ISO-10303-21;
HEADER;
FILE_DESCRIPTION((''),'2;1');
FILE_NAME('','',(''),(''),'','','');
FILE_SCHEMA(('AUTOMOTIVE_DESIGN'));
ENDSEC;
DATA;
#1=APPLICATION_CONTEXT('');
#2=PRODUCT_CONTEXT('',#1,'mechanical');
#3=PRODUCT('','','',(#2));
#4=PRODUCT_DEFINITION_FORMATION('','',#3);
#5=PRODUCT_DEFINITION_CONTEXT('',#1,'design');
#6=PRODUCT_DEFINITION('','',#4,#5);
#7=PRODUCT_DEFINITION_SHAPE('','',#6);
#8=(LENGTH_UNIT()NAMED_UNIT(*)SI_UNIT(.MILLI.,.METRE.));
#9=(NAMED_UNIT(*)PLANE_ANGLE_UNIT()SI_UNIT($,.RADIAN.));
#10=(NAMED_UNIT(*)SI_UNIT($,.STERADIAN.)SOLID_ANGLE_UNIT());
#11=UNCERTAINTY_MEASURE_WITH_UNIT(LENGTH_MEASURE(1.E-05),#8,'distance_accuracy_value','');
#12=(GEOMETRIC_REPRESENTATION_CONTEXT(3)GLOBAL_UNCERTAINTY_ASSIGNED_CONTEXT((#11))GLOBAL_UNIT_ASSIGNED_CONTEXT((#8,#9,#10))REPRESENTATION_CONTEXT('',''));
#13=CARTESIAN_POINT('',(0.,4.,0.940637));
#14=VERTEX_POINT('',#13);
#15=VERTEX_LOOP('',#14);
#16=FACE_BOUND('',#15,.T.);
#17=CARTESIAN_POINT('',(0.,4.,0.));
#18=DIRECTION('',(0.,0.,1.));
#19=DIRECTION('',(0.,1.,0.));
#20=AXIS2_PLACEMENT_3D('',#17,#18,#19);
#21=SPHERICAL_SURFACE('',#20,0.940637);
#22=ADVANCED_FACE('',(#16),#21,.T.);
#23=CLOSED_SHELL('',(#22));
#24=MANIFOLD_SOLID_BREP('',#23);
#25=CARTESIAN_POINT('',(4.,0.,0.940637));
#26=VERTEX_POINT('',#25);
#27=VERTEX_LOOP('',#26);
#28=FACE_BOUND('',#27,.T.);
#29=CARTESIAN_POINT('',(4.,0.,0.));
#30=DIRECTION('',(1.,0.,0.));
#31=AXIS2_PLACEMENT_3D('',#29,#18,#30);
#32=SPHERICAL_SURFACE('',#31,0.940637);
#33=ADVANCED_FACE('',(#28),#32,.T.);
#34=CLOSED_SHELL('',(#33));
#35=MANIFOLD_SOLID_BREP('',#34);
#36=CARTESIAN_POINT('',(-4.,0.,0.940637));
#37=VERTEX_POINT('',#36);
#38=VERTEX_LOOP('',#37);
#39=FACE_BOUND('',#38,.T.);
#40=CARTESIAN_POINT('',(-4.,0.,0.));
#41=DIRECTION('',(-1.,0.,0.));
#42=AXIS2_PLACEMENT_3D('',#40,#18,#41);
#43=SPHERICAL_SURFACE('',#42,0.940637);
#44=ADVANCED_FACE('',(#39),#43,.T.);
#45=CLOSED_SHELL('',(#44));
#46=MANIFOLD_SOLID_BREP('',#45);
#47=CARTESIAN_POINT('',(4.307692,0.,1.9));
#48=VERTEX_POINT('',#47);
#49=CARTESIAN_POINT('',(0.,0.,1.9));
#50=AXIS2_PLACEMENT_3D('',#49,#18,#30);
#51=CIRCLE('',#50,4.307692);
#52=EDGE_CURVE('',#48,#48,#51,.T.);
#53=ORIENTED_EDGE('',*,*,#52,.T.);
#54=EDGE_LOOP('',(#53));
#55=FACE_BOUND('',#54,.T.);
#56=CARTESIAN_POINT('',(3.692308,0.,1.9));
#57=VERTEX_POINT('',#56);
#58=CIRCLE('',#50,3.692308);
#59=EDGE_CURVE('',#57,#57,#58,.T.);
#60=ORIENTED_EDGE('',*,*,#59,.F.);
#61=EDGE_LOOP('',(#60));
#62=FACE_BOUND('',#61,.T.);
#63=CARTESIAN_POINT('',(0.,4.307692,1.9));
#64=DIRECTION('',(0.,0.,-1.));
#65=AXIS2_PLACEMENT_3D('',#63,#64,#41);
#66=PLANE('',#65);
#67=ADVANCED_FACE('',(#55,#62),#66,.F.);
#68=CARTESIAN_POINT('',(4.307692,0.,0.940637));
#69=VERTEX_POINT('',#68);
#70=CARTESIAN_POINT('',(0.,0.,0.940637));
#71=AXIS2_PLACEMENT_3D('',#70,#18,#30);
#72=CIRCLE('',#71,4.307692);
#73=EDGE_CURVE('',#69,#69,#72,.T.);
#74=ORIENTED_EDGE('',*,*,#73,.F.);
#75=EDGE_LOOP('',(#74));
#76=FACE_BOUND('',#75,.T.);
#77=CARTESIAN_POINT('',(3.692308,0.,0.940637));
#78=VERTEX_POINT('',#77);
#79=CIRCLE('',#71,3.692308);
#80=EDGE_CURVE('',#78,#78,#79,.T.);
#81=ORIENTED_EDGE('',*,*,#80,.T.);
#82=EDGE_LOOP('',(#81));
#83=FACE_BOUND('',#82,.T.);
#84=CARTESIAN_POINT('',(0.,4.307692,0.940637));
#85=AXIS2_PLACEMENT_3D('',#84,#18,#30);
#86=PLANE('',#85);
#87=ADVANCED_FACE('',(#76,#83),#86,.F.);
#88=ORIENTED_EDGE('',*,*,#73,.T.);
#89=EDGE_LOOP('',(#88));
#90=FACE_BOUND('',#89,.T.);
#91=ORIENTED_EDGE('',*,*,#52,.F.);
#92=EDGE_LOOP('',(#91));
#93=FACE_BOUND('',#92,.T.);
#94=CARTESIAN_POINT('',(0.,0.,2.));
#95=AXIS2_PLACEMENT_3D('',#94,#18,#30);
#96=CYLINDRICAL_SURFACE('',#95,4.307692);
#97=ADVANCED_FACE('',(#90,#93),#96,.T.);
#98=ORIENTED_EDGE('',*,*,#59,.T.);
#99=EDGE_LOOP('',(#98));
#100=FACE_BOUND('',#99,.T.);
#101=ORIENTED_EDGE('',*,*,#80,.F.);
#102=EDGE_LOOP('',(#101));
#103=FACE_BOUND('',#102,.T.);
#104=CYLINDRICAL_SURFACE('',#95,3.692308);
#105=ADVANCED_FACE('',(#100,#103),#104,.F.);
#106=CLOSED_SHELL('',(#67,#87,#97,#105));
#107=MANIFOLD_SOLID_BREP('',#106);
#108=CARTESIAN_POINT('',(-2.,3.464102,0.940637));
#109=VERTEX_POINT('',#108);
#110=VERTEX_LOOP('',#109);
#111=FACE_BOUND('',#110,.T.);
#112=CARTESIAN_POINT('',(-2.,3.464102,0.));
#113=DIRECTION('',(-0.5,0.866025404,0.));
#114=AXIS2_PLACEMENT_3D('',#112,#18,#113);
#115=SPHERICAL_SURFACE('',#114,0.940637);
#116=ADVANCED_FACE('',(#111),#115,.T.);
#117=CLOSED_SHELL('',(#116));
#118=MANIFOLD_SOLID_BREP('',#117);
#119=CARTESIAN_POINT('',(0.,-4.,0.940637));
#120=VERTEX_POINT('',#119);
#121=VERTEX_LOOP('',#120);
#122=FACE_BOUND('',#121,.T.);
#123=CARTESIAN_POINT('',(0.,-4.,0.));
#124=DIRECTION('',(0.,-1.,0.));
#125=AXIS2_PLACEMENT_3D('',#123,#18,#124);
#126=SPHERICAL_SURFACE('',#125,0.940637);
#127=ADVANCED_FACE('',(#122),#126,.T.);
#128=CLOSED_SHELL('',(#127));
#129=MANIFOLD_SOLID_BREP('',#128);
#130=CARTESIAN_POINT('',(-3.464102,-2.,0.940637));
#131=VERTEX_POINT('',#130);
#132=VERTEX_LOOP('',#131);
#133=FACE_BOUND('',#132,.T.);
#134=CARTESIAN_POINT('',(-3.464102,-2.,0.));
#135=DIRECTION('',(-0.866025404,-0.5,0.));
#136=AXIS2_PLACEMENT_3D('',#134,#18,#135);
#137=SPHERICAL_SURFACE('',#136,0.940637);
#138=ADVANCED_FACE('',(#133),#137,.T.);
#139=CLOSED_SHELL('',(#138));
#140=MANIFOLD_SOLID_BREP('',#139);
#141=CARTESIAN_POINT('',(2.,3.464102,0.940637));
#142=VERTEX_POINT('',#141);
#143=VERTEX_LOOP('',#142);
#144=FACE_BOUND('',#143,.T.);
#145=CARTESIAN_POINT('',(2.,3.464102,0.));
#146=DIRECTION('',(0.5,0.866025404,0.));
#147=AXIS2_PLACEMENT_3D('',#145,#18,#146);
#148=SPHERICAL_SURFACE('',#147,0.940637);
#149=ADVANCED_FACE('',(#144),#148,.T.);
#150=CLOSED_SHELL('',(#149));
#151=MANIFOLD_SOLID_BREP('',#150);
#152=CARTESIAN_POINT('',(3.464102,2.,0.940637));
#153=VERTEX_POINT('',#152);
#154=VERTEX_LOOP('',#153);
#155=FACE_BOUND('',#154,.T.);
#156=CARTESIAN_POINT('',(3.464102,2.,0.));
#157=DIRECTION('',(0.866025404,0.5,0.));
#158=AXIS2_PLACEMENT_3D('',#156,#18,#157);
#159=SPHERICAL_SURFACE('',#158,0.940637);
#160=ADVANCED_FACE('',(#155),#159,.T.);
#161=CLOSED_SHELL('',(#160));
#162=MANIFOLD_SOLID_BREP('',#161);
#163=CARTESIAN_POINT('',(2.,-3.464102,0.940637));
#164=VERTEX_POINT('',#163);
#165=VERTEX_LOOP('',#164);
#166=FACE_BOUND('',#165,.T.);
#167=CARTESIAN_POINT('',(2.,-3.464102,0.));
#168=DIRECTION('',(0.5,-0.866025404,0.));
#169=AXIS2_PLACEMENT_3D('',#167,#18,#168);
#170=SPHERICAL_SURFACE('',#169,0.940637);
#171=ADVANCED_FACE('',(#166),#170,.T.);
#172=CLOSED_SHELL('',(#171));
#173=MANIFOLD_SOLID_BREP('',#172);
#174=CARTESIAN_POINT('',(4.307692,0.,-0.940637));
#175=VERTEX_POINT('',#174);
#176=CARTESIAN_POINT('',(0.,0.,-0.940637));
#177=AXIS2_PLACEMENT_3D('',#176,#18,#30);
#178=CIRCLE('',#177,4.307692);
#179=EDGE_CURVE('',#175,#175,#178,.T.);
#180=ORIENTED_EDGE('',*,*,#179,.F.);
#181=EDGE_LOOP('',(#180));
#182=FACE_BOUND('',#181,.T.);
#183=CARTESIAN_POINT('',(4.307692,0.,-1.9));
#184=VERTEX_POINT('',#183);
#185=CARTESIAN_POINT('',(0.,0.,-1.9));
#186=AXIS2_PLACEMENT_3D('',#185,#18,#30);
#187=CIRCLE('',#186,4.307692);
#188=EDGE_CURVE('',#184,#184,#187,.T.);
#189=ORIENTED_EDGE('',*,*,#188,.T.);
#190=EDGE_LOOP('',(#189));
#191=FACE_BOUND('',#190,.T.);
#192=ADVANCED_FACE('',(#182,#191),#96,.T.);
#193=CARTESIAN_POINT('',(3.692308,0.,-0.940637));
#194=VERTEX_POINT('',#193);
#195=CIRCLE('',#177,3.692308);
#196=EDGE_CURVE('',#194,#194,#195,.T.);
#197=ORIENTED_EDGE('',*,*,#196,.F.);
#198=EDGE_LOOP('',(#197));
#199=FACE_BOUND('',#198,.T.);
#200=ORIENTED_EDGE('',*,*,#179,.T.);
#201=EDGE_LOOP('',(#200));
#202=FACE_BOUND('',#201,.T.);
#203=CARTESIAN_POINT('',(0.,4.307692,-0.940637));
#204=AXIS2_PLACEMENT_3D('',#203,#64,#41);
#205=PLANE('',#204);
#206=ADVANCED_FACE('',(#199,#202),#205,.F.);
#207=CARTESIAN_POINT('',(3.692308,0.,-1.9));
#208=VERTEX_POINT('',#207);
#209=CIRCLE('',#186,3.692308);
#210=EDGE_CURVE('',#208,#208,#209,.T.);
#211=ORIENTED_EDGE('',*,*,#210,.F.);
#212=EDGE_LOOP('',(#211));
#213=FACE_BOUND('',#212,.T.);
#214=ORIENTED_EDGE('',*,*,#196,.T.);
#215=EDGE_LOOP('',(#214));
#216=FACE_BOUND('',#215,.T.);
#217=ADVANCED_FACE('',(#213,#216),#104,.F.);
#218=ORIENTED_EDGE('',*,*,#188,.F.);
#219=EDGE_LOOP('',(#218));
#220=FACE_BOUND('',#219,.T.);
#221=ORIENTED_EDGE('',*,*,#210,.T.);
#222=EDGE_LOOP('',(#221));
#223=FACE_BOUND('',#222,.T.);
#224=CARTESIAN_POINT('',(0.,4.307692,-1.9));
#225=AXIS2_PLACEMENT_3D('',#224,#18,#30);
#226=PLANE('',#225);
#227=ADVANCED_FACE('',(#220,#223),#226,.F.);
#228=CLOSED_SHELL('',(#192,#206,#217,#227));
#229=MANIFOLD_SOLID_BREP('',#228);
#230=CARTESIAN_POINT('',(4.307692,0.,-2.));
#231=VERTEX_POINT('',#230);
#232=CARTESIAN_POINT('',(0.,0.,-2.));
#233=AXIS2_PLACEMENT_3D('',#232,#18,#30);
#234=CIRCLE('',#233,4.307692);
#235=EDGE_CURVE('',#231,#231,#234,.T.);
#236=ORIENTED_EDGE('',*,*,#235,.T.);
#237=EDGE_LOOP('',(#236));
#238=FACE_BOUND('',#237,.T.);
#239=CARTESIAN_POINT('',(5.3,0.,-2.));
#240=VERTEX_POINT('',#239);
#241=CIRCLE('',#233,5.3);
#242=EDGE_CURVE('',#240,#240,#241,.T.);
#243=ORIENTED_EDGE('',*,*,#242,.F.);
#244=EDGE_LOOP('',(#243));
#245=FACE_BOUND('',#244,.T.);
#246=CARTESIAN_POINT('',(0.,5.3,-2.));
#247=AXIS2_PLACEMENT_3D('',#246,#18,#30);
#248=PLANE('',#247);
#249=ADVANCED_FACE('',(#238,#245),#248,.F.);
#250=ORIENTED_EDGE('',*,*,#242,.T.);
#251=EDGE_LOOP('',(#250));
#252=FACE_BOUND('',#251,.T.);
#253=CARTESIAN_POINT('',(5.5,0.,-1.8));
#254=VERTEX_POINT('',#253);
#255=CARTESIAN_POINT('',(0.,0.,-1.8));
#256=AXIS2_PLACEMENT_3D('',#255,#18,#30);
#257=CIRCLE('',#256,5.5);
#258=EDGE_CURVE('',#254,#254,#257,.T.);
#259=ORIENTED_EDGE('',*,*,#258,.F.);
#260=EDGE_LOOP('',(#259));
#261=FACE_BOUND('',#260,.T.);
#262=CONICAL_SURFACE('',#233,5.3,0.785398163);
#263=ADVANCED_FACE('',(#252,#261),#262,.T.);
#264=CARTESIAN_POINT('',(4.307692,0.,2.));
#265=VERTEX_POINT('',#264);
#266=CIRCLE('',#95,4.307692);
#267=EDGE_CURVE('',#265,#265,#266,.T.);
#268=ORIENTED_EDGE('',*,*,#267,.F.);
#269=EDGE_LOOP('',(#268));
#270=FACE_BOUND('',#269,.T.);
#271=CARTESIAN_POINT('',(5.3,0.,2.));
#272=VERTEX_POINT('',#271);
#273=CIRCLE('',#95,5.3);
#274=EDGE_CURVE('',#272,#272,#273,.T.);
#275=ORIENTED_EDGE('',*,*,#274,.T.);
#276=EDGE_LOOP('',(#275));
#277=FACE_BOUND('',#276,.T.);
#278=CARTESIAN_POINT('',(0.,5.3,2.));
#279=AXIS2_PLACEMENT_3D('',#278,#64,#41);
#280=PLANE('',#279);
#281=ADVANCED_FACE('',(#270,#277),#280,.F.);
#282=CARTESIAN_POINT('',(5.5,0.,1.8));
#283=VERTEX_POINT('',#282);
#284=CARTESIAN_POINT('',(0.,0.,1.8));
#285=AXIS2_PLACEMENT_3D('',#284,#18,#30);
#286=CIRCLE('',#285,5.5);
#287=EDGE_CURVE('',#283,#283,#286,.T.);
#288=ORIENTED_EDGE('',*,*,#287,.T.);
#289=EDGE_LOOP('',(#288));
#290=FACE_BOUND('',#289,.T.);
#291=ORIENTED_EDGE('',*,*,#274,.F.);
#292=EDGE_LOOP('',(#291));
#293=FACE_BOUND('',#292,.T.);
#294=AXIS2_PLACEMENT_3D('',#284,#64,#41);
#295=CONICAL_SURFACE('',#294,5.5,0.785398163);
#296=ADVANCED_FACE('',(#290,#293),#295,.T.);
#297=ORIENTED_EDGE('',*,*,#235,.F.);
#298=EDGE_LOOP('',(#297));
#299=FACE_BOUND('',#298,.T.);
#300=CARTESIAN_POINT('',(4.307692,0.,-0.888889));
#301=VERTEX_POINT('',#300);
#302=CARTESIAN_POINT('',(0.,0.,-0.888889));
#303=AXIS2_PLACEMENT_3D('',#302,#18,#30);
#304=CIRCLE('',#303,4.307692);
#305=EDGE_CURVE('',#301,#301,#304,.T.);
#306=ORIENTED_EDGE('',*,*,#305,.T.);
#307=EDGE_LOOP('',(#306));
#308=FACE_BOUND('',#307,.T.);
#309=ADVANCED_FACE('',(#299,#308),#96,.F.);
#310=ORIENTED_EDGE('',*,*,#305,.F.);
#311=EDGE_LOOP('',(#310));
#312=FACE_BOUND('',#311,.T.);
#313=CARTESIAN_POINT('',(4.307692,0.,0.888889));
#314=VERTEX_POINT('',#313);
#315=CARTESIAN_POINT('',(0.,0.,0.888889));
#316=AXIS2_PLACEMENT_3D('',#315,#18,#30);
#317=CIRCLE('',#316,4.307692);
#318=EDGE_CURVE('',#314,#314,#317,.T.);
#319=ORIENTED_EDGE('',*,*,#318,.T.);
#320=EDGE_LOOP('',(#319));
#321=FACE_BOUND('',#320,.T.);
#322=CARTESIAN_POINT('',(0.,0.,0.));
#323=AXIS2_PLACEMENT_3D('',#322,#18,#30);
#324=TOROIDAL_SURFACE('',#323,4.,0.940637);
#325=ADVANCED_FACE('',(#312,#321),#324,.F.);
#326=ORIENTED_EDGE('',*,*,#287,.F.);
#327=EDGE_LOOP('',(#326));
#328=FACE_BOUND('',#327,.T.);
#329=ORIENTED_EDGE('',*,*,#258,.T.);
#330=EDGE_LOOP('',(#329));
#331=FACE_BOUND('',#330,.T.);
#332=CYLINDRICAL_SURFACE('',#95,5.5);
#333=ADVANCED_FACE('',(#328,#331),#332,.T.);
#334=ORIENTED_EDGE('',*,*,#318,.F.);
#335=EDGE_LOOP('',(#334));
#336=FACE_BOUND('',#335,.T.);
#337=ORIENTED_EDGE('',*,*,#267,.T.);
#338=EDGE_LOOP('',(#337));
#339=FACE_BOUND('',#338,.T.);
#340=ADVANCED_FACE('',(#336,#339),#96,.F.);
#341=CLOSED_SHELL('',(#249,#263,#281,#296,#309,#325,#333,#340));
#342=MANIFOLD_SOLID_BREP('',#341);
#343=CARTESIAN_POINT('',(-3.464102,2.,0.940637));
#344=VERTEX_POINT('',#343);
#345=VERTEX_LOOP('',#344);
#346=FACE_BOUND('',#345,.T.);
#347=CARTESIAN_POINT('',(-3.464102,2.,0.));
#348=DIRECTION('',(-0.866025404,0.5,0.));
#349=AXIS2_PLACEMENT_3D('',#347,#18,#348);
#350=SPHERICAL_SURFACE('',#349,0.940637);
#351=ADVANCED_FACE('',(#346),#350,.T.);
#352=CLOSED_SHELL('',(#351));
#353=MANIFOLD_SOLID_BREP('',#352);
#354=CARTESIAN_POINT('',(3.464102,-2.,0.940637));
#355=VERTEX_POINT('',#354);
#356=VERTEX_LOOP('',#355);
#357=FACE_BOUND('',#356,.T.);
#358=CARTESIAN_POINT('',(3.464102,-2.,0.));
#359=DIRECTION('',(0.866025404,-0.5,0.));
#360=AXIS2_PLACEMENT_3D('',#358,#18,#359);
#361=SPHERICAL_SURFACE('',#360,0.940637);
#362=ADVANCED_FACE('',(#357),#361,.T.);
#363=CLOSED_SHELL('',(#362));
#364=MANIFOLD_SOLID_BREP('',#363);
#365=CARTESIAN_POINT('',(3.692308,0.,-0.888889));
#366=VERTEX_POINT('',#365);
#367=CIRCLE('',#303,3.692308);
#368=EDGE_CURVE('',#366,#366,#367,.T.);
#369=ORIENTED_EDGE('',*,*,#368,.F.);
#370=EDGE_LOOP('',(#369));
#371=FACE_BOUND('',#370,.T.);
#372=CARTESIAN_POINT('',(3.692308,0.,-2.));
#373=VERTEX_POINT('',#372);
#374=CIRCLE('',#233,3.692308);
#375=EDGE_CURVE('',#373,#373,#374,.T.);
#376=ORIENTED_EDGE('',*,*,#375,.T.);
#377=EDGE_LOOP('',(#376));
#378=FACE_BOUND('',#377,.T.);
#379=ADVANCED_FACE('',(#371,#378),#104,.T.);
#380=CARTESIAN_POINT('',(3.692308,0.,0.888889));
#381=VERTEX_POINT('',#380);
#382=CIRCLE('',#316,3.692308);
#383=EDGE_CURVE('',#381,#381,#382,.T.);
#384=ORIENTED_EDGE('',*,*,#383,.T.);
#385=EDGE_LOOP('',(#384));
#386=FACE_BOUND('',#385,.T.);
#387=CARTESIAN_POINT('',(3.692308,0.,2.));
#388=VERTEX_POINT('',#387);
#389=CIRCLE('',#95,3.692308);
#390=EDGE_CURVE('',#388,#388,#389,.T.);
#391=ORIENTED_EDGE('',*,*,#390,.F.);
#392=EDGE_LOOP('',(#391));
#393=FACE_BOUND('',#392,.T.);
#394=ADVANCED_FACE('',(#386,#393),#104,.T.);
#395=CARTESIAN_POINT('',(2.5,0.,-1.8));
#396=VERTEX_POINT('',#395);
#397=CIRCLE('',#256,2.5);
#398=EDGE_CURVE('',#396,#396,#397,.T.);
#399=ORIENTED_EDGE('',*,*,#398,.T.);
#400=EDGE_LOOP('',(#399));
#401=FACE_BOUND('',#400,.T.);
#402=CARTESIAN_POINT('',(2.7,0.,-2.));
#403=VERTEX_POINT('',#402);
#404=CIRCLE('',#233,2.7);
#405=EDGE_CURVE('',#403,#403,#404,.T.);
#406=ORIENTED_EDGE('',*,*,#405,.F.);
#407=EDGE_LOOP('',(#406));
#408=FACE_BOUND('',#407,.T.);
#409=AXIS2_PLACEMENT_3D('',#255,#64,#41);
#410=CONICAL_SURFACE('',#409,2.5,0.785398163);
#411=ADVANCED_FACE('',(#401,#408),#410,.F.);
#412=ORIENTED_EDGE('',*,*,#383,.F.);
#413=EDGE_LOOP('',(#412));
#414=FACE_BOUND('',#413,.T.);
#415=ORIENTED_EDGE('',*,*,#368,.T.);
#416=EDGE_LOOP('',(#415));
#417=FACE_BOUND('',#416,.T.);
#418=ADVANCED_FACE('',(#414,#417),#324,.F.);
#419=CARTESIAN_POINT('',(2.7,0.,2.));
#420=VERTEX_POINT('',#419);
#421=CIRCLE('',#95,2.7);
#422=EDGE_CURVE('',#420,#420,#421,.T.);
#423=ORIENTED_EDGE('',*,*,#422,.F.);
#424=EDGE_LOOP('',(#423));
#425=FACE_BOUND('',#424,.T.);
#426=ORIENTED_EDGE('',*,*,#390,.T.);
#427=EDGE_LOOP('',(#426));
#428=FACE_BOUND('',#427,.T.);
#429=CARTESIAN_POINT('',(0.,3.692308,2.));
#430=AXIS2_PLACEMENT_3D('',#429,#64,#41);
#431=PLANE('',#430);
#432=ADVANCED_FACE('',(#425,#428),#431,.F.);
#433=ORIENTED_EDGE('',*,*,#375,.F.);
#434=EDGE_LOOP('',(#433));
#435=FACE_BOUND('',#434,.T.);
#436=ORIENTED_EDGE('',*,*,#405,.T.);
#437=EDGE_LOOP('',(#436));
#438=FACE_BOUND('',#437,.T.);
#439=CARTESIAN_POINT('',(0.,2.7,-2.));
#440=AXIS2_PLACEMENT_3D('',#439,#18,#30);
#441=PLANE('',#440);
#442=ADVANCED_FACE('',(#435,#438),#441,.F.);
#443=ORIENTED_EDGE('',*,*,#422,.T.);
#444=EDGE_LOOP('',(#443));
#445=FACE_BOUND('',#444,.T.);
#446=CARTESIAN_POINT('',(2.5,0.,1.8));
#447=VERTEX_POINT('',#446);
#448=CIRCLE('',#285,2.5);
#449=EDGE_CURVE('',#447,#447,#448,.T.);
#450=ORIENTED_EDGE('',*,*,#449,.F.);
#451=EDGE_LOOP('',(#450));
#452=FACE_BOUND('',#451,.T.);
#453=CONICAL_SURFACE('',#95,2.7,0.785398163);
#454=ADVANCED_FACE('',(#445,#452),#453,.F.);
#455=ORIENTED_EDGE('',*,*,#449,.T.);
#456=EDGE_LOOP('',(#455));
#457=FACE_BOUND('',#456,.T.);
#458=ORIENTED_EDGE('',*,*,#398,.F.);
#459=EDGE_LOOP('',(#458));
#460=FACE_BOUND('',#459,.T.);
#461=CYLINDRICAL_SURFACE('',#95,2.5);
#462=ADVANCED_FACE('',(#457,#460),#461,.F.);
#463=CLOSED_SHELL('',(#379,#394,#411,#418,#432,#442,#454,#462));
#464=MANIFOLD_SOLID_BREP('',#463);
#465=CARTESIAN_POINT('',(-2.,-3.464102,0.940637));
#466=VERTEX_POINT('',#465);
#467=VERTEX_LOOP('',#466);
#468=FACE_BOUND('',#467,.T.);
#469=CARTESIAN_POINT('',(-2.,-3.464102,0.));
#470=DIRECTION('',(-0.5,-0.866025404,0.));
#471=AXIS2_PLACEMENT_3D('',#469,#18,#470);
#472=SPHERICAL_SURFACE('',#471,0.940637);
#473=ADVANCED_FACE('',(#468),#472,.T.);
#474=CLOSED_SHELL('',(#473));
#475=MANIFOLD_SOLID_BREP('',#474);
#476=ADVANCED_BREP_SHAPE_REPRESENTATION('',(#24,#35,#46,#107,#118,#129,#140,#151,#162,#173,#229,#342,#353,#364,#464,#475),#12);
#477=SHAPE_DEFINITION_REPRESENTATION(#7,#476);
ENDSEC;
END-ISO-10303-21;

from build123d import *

# Parameters (mm, degrees)
CIRPATTERN1_COUNT = 12
SKETCH5_W         = 0.959362975
SKETCH5_H         = 0.615384616


with BuildPart() as part:
    # Sketch1 → Revolve1 (revolve)
    with BuildSketch(Plane(origin=(0, 0, 0), x_dir=(0, 0, -1), z_dir=(1, 0, 0))):
        with BuildLine():
            Line((1.8, 5.5), (-1.8, 5.5))
            Line((-1.8, 5.5), (-2, 5.3))
            Line((-2, 5.3), (-2, 4.307692308))
            Line((-2, 4.307692308), (-0.888888889, 4.307692308))
            ThreePointArc((-0.888888889, 4.307692308), (0, 4.940637025), (0.888888889, 4.307692308))
            Line((0.888888889, 4.307692308), (2, 4.307692308))
            Line((2, 4.307692308), (2, 5.3))
            Line((2, 5.3), (1.8, 5.5))
        make_face()
    revolve(axis=Axis((0, 0, 2), (0, 0, -1)))


with BuildPart() as body_2:
    # Sketch3 → Revolve3 (revolve)
    with BuildSketch(Plane(origin=(0, 0, 0), x_dir=(0, 0, -1), z_dir=(1, 0, 0))):
        with BuildLine():
            Line((-2, 3.692307692), (-0.888888889, 3.692307692))
            ThreePointArc((-0.888888889, 3.692307692), (0, 3.059362975), (0.888888889, 3.692307692))
            Line((0.888888889, 3.692307692), (2, 3.692307692))
            Line((2, 3.692307692), (2, 2.7))
            Line((2, 2.7), (1.8, 2.5))
            Line((1.8, 2.5), (-1.8, 2.5))
            Line((-1.8, 2.5), (-2, 2.7))
            Line((-2, 2.7), (-2, 3.692307692))
        make_face()
    revolve(axis=Axis((0, 0, 2), (0, 0, -1)))


with BuildPart() as body_3:
    # Sketch4 → Revolve4 (revolve)
    with BuildSketch(Plane(origin=(0, 0, 0), x_dir=(0, 0, -1), z_dir=(1, 0, 0))):
        with BuildLine():
            Line((-0.940637025, 4), (0.940637025, 4))
            ThreePointArc((0.940637025, 4), (0, 4.940637025), (-0.940637025, 4))
        make_face()
    revolve(axis=Axis((0, 4, 0.940637025), (0, 0, -1)))


with BuildPart() as cirpattern1_1:
    # CirPattern1: pattern copy
    add(body_3.part.rotate(Axis((0, 0, -2), (0, 0, 1)), 1 * 360 / CIRPATTERN1_COUNT))


with BuildPart() as cirpattern1_2:
    # CirPattern1: pattern copy
    add(body_3.part.rotate(Axis((0, 0, -2), (0, 0, 1)), 2 * 360 / CIRPATTERN1_COUNT))


with BuildPart() as cirpattern1_3:
    # CirPattern1: pattern copy
    add(body_3.part.rotate(Axis((0, 0, -2), (0, 0, 1)), 3 * 360 / CIRPATTERN1_COUNT))


with BuildPart() as cirpattern1_4:
    # CirPattern1: pattern copy
    add(body_3.part.rotate(Axis((0, 0, -2), (0, 0, 1)), 4 * 360 / CIRPATTERN1_COUNT))


with BuildPart() as cirpattern1_5:
    # CirPattern1: pattern copy
    add(body_3.part.rotate(Axis((0, 0, -2), (0, 0, 1)), 5 * 360 / CIRPATTERN1_COUNT))


with BuildPart() as cirpattern1_6:
    # CirPattern1: pattern copy
    add(body_3.part.rotate(Axis((0, 0, -2), (0, 0, 1)), 6 * 360 / CIRPATTERN1_COUNT))


with BuildPart() as cirpattern1_7:
    # CirPattern1: pattern copy
    add(body_3.part.rotate(Axis((0, 0, -2), (0, 0, 1)), 7 * 360 / CIRPATTERN1_COUNT))


with BuildPart() as cirpattern1_8:
    # CirPattern1: pattern copy
    add(body_3.part.rotate(Axis((0, 0, -2), (0, 0, 1)), 8 * 360 / CIRPATTERN1_COUNT))


with BuildPart() as cirpattern1_9:
    # CirPattern1: pattern copy
    add(body_3.part.rotate(Axis((0, 0, -2), (0, 0, 1)), 9 * 360 / CIRPATTERN1_COUNT))


with BuildPart() as cirpattern1_10:
    # CirPattern1: pattern copy
    add(body_3.part.rotate(Axis((0, 0, -2), (0, 0, 1)), 10 * 360 / CIRPATTERN1_COUNT))


with BuildPart() as cirpattern1_11:
    # CirPattern1: pattern copy
    add(body_3.part.rotate(Axis((0, 0, -2), (0, 0, 1)), 11 * 360 / CIRPATTERN1_COUNT))


with BuildPart() as body_15:
    # Sketch5 → Revolve5 (revolve)
    with BuildSketch(Plane(origin=(0, 0, 0), x_dir=(0, 0, -1), z_dir=(1, 0, 0))):
        with Locations((-1.420318513, 4)):
            Rectangle(SKETCH5_W, SKETCH5_H)
        with Locations((1.420318513, 4)):
            Rectangle(SKETCH5_W, SKETCH5_H)
    revolve(axis=Axis((0, 0, 2), (0, 0, -1)))


solid = Compound([part.part, body_2.part, body_3.part, cirpattern1_1.part, cirpattern1_2.part, cirpattern1_3.part, cirpattern1_4.part, cirpattern1_5.part, cirpattern1_6.part, cirpattern1_7.part, cirpattern1_8.part, cirpattern1_9.part, cirpattern1_10.part, cirpattern1_11.part, body_15.part])
